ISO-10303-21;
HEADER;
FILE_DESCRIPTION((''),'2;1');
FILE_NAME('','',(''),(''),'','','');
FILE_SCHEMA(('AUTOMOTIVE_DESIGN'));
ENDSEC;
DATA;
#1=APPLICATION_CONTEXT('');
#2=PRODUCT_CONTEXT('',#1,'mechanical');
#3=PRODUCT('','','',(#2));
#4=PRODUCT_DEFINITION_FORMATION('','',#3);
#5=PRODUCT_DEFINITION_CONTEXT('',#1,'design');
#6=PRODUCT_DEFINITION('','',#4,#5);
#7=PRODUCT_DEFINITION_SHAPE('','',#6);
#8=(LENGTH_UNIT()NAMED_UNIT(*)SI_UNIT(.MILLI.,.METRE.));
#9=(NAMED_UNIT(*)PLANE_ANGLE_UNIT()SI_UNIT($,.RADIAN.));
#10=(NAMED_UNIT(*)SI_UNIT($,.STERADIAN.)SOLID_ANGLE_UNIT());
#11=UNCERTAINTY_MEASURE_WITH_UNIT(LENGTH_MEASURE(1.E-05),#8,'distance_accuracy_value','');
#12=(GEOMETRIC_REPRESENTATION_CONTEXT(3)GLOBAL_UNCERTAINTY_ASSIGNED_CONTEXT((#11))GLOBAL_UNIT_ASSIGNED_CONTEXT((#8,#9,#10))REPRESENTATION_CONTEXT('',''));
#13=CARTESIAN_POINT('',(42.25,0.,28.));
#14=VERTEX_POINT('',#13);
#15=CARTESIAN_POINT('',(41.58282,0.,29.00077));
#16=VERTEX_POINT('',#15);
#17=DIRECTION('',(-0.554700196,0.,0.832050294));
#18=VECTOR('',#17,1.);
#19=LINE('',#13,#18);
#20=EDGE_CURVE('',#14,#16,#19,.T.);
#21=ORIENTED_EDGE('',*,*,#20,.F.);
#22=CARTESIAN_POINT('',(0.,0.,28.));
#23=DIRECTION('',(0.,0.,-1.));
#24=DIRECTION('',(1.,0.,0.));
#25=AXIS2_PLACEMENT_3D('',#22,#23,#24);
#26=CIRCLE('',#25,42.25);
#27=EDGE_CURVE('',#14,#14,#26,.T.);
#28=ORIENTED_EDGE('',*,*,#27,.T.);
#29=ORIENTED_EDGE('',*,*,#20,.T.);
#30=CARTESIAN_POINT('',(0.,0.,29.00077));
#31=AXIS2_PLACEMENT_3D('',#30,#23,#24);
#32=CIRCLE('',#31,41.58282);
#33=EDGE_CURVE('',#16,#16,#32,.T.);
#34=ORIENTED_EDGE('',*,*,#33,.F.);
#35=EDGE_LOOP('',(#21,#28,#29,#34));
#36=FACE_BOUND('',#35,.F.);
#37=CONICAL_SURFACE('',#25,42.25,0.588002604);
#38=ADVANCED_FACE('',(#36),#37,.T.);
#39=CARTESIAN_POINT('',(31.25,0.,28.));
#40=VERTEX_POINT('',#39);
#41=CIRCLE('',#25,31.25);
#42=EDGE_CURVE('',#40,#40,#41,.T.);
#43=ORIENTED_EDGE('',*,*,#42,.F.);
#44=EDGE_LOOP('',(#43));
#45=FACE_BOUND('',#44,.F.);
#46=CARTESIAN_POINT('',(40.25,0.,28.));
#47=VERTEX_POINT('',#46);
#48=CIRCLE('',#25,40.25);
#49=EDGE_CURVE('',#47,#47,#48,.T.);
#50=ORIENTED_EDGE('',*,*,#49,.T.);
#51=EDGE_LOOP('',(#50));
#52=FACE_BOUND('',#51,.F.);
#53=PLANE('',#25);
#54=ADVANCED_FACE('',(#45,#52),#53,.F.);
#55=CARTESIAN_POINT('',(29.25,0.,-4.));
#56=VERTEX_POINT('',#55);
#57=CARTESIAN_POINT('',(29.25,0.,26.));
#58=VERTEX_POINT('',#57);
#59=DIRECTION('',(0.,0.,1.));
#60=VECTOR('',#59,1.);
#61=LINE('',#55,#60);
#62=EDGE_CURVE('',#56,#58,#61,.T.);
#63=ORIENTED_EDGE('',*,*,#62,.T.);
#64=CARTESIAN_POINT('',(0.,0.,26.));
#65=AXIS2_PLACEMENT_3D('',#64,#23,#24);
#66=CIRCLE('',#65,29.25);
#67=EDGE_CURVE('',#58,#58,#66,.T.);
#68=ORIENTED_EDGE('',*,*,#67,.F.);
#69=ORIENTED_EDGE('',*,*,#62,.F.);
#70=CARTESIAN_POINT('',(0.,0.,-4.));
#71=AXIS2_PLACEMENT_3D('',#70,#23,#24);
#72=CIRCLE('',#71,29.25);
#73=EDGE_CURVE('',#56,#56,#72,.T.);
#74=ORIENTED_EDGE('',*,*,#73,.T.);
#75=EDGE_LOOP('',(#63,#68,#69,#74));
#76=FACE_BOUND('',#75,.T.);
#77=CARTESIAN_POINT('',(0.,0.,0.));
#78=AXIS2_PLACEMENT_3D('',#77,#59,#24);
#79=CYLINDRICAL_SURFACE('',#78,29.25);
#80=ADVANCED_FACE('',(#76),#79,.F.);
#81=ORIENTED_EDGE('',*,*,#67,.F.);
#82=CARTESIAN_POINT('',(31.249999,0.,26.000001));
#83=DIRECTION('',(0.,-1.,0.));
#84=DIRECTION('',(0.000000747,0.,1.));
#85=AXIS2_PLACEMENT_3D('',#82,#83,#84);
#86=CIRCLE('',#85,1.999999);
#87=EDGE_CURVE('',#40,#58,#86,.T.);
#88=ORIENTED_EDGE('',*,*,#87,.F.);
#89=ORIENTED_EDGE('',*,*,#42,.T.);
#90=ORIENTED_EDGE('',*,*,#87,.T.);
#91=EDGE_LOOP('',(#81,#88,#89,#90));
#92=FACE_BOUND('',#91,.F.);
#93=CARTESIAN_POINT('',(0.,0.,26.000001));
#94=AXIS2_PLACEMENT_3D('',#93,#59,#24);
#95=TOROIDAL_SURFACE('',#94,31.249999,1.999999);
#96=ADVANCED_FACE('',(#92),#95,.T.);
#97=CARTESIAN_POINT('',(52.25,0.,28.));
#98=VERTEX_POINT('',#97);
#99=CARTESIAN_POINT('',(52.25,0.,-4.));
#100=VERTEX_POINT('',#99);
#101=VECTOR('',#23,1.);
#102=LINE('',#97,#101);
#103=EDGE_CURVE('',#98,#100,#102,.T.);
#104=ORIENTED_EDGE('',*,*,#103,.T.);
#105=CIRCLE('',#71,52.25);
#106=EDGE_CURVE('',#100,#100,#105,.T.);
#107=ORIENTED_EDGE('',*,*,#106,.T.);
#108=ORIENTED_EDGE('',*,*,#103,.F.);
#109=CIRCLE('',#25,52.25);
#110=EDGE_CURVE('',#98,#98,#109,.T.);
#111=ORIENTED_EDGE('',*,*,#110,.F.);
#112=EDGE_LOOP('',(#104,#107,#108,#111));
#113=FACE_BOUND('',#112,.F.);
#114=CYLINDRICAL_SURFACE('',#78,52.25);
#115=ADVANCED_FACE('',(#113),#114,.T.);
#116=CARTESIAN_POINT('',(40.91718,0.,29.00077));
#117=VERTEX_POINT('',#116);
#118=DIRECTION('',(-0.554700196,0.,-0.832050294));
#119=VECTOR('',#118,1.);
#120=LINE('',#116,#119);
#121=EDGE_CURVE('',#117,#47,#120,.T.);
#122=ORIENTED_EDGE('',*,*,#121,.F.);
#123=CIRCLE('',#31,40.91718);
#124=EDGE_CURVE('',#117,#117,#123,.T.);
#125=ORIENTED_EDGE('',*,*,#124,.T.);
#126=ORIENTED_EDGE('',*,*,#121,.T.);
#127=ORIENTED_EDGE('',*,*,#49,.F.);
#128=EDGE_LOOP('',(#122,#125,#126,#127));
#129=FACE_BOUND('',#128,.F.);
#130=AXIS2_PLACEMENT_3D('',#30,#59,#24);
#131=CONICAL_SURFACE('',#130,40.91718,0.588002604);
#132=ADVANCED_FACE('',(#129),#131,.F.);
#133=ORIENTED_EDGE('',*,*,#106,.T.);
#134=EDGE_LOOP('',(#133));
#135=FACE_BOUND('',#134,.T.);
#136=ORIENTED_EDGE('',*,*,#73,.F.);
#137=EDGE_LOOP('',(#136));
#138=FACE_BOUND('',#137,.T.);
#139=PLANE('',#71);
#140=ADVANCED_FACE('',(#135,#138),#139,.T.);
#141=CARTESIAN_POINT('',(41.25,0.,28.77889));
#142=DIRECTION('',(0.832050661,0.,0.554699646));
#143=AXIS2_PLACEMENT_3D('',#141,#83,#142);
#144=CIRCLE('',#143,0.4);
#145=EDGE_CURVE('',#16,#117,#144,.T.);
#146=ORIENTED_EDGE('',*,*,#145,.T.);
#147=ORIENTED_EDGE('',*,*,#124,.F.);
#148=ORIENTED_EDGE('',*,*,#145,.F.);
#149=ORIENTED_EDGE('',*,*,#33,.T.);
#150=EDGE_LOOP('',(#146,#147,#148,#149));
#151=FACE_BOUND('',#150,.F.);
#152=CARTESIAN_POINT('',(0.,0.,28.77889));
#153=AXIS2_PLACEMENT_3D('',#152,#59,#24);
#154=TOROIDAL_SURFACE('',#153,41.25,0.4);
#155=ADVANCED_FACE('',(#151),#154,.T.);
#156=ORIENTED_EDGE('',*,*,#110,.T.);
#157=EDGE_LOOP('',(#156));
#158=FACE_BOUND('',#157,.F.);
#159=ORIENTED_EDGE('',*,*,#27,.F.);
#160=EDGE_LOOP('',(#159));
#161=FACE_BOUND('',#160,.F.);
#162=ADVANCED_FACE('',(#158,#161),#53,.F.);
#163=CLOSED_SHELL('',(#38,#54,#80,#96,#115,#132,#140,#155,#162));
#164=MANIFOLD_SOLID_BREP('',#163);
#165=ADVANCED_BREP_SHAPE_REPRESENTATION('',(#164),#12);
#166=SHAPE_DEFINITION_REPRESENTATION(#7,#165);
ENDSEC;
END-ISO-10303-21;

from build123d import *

# Parameters (mm, degrees)
F2_R     = 52.25
F2_R_2   = 29.25
F3_DEPTH = 4


with BuildPart() as f1:
    # F0 (on Front) → F1 (revolve)
    with BuildSketch(Plane.XZ):
        with BuildLine():
            Line((40.25, 28), (31.25, 28))
            ThreePointArc((31.25, 28), (29.835786, 27.414214), (29.25, 26))
            Line((29.25, 26), (29.25, 0))
            Line((29.25, 0), (52.25, 0))
            Line((52.25, 0), (52.25, 28))
            Line((52.25, 28), (44.25, 28))
            Line((44.25, 28), (42.25, 28))
            Line((42.25, 28), (41.58282, 29.00077))
            ThreePointArc((41.58282, 29.00077), (41.25, 29.17889), (40.91718, 29.00077))
            Line((40.91718, 29.00077), (40.25, 28))
        make_face()
    revolve(axis=Axis((0, 0, 14), (0, 0, -1)))

    # F2 (on face) → F3 (join)
    with BuildSketch(Plane(origin=(0, 0, 0), x_dir=(1, 0, 0), z_dir=(0, 0, -1))):
        Circle(F2_R)
        Circle(F2_R_2, mode=Mode.SUBTRACT)
    extrude(amount=F3_DEPTH)


solid = f1.part
